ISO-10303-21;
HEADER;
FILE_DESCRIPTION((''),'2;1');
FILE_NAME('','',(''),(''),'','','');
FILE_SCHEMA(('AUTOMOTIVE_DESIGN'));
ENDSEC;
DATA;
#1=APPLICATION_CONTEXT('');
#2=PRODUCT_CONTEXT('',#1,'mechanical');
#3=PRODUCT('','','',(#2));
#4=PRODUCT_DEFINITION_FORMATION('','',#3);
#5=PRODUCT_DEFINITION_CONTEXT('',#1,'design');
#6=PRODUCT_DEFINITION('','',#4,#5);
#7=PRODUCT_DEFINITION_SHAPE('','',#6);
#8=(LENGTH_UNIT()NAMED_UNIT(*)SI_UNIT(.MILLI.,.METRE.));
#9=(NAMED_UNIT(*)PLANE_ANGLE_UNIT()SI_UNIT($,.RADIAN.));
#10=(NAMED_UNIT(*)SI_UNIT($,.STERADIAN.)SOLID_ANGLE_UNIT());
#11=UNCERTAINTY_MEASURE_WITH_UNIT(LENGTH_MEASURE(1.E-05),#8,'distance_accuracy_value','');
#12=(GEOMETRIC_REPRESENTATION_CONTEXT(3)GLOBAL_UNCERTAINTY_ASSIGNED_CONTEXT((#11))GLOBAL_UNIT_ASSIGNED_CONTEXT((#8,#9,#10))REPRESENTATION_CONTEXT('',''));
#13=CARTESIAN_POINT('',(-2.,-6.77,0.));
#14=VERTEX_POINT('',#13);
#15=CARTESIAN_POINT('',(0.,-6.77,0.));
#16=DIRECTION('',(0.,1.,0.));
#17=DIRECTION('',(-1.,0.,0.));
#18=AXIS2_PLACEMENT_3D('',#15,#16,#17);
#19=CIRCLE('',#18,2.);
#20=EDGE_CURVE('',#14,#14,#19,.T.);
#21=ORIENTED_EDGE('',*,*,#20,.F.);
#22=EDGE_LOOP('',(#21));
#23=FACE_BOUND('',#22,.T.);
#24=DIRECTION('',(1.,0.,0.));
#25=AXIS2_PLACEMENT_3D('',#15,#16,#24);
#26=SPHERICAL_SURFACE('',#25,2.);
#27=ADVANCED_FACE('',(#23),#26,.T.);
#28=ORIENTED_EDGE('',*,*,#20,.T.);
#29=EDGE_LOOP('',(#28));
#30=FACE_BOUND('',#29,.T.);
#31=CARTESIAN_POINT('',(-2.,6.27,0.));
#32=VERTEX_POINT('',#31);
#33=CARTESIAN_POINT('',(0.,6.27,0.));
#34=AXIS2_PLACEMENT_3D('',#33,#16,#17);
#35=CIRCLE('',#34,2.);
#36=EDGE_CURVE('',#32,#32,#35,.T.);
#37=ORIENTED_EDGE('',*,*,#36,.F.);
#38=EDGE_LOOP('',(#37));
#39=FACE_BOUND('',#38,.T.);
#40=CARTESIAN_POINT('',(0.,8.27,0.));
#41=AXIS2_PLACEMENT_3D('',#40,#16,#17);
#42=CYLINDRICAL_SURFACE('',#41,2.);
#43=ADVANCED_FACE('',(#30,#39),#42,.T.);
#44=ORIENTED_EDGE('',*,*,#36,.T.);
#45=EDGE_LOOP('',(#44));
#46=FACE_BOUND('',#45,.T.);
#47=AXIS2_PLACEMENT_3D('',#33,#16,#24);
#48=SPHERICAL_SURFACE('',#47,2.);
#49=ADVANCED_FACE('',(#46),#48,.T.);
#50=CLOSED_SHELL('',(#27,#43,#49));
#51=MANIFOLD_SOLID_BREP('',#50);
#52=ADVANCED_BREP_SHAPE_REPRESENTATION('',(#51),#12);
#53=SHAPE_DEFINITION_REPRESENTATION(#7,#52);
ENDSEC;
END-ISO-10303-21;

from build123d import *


with BuildPart() as part:
    # Sketch1 → Revolve1 (revolve)
    with BuildSketch(Plane.XY):
        with BuildLine():
            Line((0, 8.27), (0, -8.77))
            ThreePointArc((0, -8.77), (1.414213562, -8.184213562), (2, -6.77))
            Line((2, -6.77), (2, 6.27))
            ThreePointArc((2, 6.27), (1.414213562, 7.684213562), (0, 8.27))
        make_face()
    revolve(axis=Axis((0, 8.27, 0), (0, -1, 0)))


solid = part.part
